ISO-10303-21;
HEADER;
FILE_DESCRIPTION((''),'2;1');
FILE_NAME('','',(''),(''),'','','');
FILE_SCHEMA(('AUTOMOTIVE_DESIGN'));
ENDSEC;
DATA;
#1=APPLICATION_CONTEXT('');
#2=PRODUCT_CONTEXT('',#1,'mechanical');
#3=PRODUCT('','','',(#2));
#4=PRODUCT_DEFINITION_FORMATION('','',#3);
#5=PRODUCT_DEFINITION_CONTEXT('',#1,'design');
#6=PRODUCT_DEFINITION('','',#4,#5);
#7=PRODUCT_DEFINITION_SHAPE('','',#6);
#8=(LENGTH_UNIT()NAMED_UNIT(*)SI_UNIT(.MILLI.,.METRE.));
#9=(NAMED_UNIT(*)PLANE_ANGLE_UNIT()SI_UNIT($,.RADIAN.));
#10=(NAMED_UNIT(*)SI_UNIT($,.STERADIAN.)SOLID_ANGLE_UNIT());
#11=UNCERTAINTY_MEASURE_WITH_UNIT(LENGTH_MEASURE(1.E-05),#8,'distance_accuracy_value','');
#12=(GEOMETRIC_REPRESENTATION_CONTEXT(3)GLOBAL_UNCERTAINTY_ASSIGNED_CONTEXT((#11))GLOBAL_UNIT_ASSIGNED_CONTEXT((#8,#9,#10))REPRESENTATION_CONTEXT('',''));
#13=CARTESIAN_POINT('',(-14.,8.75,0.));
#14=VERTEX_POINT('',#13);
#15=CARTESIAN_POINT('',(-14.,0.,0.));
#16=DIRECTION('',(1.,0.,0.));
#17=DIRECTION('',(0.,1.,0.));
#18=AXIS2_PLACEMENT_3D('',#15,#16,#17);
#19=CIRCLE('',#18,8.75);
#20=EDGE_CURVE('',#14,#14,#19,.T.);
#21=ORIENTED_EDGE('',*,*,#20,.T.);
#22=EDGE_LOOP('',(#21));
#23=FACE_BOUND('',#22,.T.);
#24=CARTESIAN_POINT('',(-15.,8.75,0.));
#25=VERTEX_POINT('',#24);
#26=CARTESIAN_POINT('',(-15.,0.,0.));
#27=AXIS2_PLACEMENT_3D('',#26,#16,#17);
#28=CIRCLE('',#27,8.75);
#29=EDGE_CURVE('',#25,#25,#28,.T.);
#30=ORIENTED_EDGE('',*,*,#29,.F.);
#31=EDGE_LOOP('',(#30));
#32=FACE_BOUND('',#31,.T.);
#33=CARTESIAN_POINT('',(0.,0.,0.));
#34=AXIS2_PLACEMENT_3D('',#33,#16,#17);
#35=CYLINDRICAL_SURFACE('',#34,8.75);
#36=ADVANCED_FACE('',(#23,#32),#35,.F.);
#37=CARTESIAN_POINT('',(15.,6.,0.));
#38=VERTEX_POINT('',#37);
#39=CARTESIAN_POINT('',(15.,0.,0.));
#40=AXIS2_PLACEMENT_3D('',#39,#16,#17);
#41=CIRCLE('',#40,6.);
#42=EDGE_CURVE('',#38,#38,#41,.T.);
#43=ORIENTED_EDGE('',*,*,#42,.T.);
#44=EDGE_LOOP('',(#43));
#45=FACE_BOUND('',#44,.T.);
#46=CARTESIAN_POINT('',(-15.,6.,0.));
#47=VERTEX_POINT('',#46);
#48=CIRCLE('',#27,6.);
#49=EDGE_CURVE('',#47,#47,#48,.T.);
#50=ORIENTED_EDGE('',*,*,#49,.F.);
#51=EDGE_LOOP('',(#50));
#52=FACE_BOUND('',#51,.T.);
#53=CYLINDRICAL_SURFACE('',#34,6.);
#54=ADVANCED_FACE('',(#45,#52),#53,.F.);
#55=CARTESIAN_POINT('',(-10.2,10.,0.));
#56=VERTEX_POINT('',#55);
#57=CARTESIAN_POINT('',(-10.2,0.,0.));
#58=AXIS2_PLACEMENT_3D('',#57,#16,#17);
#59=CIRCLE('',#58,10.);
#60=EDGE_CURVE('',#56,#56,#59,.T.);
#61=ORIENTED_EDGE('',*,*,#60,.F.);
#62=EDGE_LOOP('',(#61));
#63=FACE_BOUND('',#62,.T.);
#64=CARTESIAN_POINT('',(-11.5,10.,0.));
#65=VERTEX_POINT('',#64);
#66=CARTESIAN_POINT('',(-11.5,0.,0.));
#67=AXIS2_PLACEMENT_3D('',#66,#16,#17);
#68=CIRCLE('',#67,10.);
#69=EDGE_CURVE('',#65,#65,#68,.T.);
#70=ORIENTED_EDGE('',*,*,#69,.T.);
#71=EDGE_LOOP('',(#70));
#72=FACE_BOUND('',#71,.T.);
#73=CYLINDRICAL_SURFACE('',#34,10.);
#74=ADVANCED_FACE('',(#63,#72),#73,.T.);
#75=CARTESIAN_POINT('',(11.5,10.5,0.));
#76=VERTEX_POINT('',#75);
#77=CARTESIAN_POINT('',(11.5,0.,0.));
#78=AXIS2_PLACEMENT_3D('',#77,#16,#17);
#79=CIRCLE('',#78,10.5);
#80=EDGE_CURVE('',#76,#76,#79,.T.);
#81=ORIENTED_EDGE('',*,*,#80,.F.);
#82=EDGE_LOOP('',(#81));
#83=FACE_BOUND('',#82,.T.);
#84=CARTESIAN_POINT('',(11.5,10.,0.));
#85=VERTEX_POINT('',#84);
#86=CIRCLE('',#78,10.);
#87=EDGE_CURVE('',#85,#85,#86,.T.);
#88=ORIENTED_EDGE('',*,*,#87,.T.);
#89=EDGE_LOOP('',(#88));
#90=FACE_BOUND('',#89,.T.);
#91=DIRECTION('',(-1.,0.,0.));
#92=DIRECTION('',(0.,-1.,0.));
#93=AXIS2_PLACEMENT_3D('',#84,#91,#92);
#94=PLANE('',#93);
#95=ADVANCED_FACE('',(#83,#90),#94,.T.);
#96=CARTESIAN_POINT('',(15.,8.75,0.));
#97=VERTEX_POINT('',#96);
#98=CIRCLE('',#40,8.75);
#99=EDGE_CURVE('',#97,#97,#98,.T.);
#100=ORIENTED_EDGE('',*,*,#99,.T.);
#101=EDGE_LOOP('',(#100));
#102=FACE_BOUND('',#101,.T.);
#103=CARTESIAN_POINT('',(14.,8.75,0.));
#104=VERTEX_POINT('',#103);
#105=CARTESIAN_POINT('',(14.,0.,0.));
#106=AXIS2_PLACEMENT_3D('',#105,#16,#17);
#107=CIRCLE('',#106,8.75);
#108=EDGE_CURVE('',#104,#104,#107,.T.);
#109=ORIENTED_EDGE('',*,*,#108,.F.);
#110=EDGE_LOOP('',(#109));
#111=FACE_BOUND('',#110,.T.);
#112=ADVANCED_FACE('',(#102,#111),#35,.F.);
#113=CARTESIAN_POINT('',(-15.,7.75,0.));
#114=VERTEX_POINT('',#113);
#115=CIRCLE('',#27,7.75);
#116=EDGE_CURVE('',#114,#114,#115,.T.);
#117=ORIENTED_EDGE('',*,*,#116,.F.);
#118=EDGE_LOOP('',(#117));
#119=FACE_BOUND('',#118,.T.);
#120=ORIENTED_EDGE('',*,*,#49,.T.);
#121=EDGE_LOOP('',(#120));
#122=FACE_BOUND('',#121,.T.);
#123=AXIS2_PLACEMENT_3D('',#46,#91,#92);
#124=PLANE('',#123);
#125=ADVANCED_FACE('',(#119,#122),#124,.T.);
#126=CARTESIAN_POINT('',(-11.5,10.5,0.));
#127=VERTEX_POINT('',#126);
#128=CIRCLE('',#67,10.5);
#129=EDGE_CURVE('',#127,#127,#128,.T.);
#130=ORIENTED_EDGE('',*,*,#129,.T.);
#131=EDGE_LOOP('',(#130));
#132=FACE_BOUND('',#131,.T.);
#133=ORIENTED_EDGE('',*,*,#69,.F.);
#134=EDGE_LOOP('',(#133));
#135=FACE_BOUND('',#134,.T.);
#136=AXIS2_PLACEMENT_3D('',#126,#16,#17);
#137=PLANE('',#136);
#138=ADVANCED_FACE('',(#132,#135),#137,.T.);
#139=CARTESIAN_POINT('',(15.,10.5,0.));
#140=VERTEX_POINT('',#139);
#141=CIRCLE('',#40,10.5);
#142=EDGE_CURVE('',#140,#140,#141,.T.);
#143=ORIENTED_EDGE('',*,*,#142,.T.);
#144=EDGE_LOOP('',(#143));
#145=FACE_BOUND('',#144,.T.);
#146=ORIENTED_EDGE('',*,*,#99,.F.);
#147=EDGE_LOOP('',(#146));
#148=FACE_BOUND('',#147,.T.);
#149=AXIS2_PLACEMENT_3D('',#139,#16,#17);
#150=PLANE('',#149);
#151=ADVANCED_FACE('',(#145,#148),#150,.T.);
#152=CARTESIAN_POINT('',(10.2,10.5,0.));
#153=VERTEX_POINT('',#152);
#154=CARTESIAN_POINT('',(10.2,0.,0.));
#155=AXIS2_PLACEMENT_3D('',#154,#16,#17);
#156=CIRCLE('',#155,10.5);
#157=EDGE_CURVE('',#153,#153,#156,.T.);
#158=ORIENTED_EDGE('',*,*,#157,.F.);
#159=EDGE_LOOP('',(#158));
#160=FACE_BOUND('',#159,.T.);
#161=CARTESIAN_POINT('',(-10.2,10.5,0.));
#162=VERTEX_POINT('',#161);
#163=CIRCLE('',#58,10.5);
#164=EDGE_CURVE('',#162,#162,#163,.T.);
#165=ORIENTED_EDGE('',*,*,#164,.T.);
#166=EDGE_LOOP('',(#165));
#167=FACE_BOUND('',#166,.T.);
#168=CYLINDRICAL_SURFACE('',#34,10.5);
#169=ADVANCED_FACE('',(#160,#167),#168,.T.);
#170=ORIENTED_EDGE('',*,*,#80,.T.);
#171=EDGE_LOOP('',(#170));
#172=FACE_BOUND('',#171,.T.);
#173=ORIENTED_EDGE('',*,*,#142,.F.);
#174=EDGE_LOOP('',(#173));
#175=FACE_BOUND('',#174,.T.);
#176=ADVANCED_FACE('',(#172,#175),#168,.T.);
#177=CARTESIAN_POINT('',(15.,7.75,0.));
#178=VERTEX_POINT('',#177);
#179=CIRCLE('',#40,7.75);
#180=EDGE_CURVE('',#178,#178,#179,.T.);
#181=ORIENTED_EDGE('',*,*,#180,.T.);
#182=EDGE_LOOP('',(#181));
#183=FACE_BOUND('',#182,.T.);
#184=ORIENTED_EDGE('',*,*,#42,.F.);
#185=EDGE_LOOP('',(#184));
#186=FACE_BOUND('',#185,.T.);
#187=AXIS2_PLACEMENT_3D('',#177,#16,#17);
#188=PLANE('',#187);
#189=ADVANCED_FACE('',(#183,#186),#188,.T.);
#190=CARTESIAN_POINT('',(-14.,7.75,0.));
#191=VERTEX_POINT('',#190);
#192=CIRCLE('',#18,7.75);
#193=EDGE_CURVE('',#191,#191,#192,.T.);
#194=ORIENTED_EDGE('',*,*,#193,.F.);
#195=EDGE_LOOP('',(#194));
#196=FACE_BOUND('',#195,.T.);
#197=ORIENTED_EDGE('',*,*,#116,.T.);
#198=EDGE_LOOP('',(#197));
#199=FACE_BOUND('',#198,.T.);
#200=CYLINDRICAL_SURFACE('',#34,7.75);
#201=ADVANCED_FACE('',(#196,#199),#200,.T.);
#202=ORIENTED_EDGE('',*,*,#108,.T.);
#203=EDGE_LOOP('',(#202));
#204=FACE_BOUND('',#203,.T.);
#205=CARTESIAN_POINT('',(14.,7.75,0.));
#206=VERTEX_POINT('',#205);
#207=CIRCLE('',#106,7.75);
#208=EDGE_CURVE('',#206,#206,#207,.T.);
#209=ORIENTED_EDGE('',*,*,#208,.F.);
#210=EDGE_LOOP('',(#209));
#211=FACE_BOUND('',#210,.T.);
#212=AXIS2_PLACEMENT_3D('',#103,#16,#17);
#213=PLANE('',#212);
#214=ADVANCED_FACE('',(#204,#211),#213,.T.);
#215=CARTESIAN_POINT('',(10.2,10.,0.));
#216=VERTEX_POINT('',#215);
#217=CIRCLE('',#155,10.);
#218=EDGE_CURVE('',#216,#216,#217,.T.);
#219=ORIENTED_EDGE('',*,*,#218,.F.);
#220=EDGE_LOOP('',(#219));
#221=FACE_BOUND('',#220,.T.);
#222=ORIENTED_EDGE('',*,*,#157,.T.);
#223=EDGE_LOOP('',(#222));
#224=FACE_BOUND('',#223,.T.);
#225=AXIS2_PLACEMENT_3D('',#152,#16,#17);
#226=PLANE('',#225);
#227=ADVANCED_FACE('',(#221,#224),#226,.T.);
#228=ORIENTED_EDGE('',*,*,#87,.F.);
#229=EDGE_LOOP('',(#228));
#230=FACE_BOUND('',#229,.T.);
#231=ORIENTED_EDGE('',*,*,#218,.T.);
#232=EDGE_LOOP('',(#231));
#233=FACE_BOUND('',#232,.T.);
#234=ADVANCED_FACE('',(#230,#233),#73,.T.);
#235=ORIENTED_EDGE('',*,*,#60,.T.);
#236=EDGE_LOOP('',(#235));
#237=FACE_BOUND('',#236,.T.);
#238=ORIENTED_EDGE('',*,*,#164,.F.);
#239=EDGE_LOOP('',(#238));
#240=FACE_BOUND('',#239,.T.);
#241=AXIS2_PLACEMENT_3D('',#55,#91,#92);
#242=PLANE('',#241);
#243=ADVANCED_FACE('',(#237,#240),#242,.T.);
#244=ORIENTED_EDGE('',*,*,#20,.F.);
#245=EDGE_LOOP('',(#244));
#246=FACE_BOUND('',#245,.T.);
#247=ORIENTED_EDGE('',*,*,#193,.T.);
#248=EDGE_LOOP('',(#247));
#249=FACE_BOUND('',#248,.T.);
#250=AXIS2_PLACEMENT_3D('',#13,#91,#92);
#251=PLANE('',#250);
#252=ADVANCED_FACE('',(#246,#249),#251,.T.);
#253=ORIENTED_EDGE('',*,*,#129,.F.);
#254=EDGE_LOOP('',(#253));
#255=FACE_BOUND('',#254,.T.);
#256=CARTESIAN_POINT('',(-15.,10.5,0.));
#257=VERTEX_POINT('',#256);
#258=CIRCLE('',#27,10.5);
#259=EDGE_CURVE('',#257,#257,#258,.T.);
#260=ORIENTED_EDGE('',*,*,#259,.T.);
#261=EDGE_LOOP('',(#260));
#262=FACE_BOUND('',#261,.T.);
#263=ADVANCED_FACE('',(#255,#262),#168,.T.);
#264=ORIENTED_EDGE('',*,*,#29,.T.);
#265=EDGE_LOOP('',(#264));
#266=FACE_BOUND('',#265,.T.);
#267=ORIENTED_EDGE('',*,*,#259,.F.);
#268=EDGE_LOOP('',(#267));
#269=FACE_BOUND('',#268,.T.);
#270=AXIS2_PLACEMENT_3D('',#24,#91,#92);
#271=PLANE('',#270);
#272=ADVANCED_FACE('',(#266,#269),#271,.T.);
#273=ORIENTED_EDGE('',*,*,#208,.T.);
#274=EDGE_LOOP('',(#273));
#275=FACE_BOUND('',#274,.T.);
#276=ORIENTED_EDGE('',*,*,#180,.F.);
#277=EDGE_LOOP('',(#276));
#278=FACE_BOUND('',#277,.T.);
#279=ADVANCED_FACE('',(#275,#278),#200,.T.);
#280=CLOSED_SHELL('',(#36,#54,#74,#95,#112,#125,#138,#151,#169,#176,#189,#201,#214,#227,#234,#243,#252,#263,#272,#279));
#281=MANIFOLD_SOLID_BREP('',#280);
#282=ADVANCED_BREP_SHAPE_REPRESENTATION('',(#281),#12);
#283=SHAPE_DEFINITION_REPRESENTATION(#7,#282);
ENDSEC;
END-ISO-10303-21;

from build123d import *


with BuildPart() as part:
    # Esboço1 → Revolução1 (revolve)
    with BuildSketch(Plane.XY):
        Polygon((-15, 10.5), (-11.5, 10.5), (-11.5, 10), (-10.2, 10), (-10.2, 10.5), (10.2, 10.5), (10.2, 10), (11.5, 10), (11.5, 10.5), (15, 10.5), (15, 8.75), (14, 8.75), (14, 7.75), (15, 7.75), (15, 6), (-15, 6), (-15, 7.75), (-14, 7.75), (-14, 8.75), (-15, 8.75), align=None)
    revolve(axis=Axis((0, 0, 0), (-1, 0, 0)))


solid = part.part
